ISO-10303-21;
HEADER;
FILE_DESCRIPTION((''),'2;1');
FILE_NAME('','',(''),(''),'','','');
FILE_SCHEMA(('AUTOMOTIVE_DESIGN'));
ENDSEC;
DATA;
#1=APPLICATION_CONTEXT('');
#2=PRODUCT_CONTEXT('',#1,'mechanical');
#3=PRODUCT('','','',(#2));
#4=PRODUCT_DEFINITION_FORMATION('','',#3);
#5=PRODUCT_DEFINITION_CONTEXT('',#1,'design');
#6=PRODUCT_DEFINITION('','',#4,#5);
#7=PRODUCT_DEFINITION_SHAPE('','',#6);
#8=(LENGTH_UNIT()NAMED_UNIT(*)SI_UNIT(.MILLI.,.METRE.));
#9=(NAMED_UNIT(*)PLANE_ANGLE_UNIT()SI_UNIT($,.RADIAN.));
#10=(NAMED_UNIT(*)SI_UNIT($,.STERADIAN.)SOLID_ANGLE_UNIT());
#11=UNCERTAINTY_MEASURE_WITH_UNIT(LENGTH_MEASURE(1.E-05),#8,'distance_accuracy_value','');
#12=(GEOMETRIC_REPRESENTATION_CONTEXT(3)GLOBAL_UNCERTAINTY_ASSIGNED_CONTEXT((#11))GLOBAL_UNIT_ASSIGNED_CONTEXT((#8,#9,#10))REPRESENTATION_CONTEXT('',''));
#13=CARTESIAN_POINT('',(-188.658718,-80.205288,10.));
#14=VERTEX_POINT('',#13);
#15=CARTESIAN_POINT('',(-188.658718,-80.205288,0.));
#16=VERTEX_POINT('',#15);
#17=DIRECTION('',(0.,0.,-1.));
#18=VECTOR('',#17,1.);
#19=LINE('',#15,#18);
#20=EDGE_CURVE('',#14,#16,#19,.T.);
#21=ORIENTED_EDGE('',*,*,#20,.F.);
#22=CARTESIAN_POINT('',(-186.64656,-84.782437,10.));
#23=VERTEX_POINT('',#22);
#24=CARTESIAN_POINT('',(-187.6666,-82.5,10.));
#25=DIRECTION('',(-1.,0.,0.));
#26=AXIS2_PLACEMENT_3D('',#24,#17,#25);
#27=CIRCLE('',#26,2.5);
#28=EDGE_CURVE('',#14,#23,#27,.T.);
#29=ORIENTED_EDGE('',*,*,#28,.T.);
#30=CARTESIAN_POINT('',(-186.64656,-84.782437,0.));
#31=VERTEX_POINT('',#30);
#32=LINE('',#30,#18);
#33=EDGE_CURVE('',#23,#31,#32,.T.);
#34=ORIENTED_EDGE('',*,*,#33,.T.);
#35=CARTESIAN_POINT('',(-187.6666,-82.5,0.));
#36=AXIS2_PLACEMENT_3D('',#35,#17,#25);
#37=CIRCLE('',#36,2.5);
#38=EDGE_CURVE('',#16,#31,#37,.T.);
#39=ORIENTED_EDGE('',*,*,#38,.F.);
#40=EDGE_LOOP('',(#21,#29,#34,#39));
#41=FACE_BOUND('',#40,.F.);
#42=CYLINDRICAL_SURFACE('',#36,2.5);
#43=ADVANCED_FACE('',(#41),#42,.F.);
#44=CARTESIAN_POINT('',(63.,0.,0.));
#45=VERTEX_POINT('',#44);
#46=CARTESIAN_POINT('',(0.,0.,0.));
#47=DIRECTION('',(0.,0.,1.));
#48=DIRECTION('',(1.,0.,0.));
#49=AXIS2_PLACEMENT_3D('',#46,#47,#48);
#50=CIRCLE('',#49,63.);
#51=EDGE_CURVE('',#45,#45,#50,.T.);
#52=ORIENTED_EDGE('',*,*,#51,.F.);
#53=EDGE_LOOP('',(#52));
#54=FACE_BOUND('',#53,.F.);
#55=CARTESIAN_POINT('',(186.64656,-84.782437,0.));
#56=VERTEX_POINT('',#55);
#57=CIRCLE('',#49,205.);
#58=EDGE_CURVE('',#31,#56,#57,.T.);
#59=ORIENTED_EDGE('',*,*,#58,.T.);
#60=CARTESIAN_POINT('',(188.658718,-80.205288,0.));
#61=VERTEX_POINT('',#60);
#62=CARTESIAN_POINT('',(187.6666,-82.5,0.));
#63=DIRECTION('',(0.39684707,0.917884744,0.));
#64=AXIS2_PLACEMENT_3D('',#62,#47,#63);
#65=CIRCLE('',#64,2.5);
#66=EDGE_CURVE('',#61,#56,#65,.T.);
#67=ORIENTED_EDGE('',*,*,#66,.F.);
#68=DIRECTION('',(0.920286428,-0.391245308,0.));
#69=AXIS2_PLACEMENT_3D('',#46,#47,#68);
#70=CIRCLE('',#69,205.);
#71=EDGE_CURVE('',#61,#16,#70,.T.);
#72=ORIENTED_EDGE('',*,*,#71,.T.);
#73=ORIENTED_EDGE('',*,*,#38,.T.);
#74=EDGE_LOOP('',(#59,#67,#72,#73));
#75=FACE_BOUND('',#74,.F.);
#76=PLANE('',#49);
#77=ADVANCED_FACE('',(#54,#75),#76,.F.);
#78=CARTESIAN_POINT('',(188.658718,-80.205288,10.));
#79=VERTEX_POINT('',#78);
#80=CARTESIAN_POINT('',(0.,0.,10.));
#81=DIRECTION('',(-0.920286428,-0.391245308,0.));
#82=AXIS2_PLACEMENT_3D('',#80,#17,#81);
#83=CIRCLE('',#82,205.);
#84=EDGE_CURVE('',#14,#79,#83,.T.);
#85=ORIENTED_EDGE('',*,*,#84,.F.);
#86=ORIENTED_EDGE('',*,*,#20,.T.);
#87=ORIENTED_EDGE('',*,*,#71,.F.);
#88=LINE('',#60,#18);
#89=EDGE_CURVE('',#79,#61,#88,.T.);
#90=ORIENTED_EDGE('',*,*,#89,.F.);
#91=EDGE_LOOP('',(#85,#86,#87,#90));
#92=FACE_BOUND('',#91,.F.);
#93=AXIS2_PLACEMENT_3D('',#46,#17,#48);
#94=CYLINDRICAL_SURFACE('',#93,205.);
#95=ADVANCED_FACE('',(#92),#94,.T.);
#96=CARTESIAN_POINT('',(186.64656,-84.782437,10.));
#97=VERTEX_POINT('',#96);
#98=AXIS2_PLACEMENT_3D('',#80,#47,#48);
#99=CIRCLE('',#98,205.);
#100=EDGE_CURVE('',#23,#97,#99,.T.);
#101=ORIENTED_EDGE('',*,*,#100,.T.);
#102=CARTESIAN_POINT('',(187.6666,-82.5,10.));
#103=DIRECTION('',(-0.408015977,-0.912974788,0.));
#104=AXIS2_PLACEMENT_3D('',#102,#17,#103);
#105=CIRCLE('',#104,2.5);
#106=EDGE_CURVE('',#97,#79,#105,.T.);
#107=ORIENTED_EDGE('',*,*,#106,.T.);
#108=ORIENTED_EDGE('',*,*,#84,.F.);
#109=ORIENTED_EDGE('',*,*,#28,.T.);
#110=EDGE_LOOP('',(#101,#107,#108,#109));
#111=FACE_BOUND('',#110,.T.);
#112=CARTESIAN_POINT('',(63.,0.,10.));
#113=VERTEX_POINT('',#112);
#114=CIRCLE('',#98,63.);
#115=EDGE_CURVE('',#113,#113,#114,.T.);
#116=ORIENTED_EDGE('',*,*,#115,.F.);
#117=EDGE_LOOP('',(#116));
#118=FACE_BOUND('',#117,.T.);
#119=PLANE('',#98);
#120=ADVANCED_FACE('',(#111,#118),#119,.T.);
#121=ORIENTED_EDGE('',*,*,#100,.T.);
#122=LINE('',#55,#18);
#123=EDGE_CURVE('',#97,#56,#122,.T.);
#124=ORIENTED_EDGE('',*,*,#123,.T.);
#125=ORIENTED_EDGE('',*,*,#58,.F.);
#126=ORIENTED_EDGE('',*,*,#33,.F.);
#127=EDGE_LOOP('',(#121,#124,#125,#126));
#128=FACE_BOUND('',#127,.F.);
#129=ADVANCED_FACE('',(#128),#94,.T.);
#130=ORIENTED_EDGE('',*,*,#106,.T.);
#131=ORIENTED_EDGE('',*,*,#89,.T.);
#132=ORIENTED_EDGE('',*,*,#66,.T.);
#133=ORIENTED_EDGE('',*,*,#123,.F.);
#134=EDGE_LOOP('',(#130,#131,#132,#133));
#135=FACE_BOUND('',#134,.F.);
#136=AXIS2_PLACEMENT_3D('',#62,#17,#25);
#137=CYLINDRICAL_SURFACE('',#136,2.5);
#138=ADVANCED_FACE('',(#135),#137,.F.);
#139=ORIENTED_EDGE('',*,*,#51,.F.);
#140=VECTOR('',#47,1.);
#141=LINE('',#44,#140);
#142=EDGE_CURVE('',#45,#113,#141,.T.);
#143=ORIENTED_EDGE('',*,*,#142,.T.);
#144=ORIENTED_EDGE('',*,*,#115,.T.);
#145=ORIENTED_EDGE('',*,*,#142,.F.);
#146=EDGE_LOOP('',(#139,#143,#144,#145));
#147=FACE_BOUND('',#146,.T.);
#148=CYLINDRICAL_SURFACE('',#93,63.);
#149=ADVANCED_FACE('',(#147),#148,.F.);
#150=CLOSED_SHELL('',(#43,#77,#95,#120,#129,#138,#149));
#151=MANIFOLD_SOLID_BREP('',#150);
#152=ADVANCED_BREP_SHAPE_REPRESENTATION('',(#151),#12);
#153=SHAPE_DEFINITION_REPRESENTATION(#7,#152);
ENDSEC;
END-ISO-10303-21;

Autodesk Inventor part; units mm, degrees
ref_plane "YZ Plane" through (0, 0, 0) normal (1, 0, 0) x (0, 1, 0)
ref_plane "XZ Plane" through (0, 0, 0) normal (0, 1, 0) x (-1, 0, 0)
ref_plane "XY Plane" through (0, 0, 0) normal (0, 0, 1) x (1, 0, 0)
sketch "Sketch1" plane through (0, 0, 0) normal (0, 0, 1) x (1, 0, 0)
  circle A0 centre (0, 0) radius 195 construction
  circle A1 centre (0, 0) radius 205
  circle A2 centre (0, 0) radius 63
  dimension "d0" = 390
  dimension "d4" = 126
  dimension "d13" = 10
extrude "Extrusion1" add sketch "Sketch1" along normal blind 10
sketch "Sketch3" plane through (0, 0, 0) normal (0, 0, -1) x (-1, 0, 0)
  circle A0 centre (0, 0) radius 205 construction
  circle A1 centre (-187.6666, -82.5) radius 2.5
  circle A2 centre (187.6666, -82.5) radius 2.5
  line L0 (-187.6666, -82.5) -> (187.6666, -82.5) construction
  dimension "d14" = 5
  dimension "d15" = 82.5
extrude "Extrusion3" cut sketch "Sketch3" against normal through all
equation "\"d0\" = Шпил_пласт_НОС_диам_центров"
equation "\"d4\" = Стенка_НОС_диам_илоотвод"
equation "\"d2\" = Thickness"
equation "\"BendReliefDepth\" = 0.5 * Thickness"
equation "\"Шпил_пласт_НОС_диам_центров\" = 390"
equation "\"Стенка_НОС_диам_илоотвод\" = 126"
equation "\"Thickness\" = 10"
properties part number "ДМС 040 лицо крышка"
